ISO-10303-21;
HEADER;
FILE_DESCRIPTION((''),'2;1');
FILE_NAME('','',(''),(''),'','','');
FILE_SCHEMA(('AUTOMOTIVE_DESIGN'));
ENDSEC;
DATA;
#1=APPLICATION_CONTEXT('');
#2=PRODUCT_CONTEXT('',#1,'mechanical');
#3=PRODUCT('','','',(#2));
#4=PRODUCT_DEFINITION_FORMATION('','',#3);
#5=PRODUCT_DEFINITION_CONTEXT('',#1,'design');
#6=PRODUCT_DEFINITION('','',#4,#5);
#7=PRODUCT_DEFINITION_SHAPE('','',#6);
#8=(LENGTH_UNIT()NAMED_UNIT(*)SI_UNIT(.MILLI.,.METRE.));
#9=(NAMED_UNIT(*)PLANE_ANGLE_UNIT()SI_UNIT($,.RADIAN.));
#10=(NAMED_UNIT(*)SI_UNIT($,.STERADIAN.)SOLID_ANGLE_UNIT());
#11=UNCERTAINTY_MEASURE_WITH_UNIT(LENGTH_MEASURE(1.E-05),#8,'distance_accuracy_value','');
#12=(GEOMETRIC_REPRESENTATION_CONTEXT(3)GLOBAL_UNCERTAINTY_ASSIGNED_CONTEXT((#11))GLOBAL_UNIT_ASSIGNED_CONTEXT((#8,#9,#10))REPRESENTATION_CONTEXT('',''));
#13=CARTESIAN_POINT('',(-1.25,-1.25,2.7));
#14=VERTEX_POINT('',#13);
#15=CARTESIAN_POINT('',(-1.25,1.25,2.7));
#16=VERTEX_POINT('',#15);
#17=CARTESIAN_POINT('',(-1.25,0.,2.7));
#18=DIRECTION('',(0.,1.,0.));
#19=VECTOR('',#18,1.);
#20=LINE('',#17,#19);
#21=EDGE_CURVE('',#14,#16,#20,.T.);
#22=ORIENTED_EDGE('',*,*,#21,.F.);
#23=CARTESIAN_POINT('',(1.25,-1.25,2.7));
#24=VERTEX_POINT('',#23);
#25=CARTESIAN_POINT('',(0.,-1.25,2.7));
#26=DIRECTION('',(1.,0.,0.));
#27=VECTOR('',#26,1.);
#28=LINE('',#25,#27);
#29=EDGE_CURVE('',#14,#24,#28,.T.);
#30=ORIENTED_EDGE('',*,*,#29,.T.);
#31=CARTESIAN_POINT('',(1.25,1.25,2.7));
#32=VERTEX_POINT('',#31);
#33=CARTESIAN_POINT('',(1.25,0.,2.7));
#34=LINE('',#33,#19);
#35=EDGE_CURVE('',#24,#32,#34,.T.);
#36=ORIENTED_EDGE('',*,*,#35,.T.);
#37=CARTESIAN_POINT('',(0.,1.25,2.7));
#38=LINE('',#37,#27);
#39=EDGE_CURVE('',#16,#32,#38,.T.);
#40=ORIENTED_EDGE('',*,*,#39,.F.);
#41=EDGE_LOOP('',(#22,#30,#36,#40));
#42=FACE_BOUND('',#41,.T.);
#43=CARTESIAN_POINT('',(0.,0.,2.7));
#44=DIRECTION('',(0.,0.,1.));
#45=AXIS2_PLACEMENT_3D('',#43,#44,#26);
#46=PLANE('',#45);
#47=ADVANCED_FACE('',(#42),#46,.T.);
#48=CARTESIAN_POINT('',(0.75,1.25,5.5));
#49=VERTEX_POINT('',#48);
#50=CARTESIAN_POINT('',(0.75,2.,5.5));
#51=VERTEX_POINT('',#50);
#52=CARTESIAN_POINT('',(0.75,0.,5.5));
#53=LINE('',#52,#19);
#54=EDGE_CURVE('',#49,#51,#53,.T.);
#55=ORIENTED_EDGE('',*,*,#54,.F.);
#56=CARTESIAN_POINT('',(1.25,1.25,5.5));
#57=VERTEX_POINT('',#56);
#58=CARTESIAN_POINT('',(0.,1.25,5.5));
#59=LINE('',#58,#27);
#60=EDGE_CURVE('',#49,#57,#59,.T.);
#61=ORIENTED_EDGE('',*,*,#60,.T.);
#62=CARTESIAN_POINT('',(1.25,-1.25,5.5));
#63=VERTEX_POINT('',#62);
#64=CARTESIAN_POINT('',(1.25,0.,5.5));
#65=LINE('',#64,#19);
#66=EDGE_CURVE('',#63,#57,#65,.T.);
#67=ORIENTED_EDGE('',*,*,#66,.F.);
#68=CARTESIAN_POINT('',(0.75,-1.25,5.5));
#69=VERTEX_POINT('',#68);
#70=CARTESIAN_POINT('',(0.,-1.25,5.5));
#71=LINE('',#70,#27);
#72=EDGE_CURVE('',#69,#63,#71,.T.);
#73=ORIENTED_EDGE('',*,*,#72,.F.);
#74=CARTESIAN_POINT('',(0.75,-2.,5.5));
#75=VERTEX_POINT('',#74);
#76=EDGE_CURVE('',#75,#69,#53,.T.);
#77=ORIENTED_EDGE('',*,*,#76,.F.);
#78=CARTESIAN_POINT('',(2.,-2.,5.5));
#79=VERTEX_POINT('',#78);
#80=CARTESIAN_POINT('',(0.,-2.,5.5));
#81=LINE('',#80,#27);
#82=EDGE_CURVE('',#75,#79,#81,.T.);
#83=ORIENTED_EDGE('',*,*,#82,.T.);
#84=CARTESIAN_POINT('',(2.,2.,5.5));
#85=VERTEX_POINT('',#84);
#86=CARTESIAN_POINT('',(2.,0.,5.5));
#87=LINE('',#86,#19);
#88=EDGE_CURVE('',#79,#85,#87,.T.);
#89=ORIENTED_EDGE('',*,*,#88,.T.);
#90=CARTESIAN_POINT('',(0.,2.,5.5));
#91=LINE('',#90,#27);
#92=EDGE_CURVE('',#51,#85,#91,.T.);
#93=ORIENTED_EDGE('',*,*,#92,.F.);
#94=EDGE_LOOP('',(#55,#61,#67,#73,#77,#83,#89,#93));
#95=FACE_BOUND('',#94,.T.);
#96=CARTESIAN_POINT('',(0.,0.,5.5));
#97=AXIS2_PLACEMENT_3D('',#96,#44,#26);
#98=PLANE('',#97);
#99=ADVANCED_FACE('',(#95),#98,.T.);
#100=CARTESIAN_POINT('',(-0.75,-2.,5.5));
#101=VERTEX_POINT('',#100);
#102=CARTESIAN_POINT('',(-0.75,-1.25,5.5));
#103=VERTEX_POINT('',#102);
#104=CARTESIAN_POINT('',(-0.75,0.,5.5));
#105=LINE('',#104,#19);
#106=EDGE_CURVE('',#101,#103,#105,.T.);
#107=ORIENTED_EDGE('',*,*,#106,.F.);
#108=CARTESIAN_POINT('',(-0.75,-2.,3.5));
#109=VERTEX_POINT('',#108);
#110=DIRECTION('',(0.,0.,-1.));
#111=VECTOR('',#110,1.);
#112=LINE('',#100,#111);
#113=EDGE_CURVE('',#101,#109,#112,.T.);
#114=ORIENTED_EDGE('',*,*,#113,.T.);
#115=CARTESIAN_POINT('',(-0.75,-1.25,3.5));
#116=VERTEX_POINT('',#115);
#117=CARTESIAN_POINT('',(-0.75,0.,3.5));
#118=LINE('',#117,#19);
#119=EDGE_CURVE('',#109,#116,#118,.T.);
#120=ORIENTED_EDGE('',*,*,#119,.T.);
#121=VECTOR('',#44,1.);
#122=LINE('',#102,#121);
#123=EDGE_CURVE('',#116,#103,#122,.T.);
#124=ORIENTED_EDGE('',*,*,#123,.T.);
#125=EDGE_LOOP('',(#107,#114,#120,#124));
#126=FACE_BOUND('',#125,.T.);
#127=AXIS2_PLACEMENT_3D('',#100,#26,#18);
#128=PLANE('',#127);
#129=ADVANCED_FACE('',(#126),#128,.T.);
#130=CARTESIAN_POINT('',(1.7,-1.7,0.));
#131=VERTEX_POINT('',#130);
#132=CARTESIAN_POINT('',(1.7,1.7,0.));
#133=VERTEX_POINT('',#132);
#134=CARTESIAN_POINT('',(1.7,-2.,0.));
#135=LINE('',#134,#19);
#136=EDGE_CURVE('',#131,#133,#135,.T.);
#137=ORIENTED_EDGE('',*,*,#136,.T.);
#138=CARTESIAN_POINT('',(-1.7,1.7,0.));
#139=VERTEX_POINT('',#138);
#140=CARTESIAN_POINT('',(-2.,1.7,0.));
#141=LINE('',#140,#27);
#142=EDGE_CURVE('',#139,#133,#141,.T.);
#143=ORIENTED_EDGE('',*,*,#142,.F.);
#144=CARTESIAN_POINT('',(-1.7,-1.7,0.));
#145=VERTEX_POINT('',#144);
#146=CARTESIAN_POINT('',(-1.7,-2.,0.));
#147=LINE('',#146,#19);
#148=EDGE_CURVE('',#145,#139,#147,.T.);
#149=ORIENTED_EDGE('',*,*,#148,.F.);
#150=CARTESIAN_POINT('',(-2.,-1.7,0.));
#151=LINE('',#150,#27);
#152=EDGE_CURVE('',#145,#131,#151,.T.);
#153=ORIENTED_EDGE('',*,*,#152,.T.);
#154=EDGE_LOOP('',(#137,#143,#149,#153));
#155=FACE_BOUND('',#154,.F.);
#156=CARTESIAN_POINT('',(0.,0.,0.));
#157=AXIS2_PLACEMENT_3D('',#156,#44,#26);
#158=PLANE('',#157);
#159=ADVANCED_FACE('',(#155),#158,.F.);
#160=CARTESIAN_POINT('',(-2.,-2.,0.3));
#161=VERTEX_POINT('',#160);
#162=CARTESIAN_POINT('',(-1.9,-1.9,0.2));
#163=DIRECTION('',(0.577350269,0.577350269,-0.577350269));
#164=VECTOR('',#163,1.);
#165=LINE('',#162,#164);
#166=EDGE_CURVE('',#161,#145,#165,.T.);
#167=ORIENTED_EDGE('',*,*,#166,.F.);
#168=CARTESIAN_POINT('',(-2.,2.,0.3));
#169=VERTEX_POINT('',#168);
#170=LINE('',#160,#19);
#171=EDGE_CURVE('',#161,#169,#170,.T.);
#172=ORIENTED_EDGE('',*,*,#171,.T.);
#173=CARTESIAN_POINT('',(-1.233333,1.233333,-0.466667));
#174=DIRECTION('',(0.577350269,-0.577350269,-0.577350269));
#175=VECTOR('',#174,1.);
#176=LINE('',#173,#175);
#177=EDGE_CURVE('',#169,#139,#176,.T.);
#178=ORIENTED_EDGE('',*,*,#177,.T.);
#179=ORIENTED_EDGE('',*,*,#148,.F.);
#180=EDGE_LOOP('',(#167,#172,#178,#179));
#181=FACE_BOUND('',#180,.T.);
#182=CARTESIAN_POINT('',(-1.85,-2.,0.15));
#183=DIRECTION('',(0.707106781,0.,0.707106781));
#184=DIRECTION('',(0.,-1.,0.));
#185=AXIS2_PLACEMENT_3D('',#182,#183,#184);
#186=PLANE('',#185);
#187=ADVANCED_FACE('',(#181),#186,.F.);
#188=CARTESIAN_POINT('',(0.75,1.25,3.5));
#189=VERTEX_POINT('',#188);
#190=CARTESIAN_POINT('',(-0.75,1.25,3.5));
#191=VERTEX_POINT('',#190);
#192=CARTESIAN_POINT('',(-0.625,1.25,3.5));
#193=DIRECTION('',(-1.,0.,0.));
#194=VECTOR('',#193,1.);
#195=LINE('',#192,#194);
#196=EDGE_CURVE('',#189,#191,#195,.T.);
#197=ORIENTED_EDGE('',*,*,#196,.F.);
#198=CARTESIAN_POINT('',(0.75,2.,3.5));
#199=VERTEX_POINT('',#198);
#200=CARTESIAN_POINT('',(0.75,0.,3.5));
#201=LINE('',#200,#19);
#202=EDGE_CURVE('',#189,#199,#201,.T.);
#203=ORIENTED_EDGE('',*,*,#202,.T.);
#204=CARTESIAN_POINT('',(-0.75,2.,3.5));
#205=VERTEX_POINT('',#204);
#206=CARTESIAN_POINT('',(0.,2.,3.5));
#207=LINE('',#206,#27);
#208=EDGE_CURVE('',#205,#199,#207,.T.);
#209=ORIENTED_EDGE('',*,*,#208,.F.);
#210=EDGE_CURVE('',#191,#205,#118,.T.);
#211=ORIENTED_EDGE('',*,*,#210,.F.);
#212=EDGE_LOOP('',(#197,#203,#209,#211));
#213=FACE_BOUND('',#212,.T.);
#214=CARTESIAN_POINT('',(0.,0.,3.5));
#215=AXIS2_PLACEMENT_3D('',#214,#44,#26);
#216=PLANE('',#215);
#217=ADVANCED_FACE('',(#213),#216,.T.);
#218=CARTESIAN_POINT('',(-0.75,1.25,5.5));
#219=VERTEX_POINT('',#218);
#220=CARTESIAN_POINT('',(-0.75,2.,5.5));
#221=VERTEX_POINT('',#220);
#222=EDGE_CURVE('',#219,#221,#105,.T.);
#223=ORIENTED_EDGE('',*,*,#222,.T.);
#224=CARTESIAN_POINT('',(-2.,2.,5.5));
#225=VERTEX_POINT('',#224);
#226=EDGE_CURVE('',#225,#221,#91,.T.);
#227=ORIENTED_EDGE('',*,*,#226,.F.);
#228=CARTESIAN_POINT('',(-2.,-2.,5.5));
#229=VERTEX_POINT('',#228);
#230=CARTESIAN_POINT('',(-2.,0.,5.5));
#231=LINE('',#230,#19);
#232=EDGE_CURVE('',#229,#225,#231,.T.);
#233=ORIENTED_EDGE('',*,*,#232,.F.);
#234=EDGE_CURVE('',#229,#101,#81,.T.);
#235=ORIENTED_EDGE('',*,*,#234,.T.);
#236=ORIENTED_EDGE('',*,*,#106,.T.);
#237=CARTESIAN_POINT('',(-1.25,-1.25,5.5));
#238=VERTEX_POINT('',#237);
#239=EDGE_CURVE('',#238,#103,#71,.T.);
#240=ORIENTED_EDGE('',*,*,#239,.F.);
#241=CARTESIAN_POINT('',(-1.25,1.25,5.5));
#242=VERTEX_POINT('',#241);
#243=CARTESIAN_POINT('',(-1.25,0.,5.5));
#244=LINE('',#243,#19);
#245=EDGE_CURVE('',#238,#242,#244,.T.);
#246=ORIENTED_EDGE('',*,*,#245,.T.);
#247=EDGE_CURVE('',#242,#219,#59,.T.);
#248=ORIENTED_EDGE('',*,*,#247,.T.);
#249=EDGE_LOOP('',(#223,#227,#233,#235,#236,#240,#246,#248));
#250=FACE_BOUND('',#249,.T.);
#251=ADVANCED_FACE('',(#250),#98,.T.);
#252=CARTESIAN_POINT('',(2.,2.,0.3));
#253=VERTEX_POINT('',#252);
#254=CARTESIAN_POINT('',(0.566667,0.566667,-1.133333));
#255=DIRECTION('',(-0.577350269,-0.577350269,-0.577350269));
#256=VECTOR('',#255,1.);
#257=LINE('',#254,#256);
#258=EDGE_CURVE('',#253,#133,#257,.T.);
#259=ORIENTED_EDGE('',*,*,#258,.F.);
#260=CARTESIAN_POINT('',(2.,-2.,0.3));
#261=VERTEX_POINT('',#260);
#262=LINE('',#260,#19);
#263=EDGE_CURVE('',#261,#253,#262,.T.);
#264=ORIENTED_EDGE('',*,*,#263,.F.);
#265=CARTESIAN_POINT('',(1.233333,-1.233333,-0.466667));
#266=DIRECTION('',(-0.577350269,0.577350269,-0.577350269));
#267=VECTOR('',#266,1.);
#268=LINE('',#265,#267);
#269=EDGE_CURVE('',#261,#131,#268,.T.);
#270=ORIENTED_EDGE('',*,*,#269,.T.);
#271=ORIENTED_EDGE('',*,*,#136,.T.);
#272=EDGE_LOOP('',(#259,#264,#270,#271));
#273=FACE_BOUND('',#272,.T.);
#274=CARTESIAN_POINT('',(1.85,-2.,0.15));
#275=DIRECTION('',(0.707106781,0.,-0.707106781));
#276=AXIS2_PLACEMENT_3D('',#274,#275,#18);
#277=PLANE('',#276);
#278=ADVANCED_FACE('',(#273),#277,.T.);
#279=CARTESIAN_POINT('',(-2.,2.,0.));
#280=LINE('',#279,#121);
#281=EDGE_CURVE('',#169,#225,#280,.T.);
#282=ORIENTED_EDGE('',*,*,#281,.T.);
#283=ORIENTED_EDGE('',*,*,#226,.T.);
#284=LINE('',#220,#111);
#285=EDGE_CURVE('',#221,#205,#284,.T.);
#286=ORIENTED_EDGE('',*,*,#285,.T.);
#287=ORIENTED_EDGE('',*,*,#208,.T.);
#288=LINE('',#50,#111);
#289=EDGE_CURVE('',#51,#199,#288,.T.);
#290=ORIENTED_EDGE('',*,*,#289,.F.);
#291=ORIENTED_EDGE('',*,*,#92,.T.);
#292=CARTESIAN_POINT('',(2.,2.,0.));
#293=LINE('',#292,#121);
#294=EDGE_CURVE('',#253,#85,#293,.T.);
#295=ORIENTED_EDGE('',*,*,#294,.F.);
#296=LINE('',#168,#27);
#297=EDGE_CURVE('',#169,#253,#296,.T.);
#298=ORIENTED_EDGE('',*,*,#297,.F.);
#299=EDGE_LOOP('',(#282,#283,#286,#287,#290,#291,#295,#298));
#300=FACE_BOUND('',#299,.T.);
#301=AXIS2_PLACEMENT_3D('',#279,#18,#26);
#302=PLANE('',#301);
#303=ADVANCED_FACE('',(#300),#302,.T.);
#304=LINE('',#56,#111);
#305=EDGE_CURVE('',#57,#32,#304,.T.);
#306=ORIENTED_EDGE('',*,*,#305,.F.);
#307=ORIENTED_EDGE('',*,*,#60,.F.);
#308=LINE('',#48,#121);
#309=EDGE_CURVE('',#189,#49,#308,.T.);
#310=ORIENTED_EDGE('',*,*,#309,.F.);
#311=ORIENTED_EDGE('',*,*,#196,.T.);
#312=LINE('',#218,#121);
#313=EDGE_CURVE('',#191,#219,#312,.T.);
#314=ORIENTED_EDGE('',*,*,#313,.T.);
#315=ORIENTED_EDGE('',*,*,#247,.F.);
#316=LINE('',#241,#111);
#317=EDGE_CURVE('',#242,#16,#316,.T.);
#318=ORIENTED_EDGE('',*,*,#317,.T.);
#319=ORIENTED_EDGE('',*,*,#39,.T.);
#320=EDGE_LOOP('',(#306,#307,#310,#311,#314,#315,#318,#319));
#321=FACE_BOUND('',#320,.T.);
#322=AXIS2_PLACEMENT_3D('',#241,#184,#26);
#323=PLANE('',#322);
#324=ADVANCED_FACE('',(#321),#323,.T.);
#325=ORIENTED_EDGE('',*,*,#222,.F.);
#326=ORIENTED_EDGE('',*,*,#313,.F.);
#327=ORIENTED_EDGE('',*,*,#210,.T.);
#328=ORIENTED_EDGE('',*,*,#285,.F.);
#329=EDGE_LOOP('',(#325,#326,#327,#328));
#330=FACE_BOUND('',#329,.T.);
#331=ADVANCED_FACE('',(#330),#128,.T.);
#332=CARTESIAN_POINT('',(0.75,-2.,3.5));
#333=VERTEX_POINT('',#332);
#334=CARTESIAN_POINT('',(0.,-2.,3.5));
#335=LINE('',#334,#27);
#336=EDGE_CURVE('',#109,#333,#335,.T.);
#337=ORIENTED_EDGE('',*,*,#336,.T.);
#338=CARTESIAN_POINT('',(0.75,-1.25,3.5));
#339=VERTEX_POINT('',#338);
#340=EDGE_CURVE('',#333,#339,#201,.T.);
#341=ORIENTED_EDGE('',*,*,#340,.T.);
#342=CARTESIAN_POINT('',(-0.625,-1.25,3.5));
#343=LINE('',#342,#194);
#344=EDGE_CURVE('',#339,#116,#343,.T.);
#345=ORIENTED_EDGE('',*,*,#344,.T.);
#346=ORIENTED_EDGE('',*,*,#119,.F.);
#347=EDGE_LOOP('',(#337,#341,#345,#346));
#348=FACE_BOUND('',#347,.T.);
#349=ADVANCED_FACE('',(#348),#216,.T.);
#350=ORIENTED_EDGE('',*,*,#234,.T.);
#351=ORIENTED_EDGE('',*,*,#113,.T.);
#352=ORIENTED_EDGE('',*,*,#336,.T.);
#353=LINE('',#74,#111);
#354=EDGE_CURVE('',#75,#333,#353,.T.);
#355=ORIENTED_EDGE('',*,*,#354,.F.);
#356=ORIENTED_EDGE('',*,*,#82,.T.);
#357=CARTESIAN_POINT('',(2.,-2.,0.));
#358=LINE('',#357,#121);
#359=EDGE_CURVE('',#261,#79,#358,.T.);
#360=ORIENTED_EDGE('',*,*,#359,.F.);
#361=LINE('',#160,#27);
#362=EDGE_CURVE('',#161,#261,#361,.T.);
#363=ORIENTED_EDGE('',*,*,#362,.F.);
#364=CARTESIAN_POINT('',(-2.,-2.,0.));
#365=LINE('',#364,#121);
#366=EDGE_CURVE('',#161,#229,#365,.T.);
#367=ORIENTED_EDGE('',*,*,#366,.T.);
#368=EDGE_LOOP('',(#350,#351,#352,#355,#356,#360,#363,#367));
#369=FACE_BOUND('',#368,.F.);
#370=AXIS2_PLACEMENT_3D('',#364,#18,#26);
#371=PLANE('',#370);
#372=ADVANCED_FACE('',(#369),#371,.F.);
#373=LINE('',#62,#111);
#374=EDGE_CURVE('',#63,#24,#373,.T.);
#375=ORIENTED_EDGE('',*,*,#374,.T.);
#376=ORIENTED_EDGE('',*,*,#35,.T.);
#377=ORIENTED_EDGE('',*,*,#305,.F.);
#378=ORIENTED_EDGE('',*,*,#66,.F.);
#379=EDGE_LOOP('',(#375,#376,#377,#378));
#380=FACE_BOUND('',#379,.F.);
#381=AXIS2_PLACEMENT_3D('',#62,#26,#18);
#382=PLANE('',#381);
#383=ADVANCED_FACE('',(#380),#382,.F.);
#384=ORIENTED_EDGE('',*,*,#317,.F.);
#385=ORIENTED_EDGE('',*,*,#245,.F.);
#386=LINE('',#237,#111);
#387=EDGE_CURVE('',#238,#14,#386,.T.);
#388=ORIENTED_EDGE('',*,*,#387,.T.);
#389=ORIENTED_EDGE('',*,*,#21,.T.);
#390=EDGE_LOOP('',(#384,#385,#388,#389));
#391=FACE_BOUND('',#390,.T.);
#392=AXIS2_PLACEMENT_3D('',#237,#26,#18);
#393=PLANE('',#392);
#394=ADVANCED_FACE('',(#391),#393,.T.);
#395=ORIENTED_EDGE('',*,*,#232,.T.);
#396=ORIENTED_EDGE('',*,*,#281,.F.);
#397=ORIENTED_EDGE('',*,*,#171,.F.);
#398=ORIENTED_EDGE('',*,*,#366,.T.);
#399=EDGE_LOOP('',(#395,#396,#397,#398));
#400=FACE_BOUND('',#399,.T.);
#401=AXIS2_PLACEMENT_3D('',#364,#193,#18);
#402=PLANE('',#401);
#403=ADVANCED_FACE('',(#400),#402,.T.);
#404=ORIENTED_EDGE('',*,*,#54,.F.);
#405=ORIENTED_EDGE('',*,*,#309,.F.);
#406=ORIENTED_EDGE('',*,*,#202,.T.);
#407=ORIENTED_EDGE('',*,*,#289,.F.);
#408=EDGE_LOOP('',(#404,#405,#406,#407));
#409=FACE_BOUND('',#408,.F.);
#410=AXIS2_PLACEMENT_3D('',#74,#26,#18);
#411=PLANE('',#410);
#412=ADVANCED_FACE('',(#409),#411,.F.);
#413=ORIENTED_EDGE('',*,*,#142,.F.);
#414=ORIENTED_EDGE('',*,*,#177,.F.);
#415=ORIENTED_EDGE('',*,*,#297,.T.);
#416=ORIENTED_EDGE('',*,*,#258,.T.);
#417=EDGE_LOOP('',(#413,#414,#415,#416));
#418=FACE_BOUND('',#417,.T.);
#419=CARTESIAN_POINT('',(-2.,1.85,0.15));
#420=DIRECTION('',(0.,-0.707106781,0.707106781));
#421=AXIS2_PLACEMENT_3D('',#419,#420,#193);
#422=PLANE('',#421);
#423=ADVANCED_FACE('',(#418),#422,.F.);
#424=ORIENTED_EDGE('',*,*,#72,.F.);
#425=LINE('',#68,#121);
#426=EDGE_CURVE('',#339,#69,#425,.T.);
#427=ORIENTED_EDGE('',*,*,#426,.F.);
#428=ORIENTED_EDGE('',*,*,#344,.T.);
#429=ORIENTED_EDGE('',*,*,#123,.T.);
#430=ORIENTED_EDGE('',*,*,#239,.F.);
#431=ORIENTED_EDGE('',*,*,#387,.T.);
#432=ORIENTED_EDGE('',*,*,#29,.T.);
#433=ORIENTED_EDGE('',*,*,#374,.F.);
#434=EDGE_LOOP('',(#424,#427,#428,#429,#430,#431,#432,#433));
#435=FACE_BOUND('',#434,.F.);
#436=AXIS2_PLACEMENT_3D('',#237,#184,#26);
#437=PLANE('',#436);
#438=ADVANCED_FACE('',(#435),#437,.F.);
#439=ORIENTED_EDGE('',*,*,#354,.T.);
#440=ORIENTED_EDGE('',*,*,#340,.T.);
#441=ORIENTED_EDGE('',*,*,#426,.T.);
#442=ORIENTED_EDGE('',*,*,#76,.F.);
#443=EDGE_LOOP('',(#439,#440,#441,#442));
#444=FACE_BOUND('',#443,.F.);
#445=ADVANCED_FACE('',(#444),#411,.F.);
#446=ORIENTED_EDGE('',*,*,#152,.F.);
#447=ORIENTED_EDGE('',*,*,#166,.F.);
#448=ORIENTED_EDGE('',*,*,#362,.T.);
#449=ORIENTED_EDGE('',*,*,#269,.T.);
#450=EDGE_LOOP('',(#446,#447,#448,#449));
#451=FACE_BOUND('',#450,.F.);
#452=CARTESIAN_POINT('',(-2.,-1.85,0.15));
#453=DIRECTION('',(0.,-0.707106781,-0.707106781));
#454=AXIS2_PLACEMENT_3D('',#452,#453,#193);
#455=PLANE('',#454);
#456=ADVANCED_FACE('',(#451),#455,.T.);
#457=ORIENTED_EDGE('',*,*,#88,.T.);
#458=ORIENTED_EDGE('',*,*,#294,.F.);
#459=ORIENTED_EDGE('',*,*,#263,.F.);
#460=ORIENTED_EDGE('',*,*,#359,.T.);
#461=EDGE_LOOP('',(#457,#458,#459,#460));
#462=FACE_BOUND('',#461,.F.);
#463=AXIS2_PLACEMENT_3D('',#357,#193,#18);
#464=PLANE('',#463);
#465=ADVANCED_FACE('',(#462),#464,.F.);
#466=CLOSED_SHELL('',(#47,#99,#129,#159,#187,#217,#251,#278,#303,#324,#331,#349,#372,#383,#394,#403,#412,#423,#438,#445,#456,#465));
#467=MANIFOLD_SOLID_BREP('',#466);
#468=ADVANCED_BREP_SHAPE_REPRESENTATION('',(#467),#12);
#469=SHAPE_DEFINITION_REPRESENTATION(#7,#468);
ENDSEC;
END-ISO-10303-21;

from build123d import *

# Parameters (mm, degrees)
SKETCH_W        = 4
SKETCH_H        = 4
PAD_DEPTH       = 5.5
SKETCH001_W     = 2.5
SKETCH001_H     = 2.5
POCKET_DEPTH    = 2.8
SKETCH002_W     = 1.5
SKETCH002_H     = 4
POCKET001_DEPTH = 2
CHAMFER_SIZE    = 0.3


with BuildPart() as part:
    # Sketch → Pad (new body)
    with BuildSketch(Plane.XY):
        Rectangle(SKETCH_W, SKETCH_H)
    extrude(amount=PAD_DEPTH)

    # Sketch001 (on DatumPlane) → Pocket (cut)
    with BuildSketch(Plane.XY.offset(5.5)):
        Rectangle(SKETCH001_W, SKETCH001_H)
    extrude(amount=-POCKET_DEPTH, mode=Mode.SUBTRACT)

    # Sketch002 (on DatumPlane) → Pocket001 (cut)
    with BuildSketch(Plane.XY.offset(5.5)):
        Rectangle(SKETCH002_W, SKETCH002_H)
    extrude(amount=-POCKET001_DEPTH, mode=Mode.SUBTRACT)

    # Chamfer
    chamfer_edges = [part.edges().sort_by_distance(p)[0] for p in [
        (0, 2, 0),
        (-2, 0, 0),
        (0, -2, 0),
        (2, 0, 0),
    ]]
    chamfer(chamfer_edges, length=CHAMFER_SIZE)


solid = part.part
